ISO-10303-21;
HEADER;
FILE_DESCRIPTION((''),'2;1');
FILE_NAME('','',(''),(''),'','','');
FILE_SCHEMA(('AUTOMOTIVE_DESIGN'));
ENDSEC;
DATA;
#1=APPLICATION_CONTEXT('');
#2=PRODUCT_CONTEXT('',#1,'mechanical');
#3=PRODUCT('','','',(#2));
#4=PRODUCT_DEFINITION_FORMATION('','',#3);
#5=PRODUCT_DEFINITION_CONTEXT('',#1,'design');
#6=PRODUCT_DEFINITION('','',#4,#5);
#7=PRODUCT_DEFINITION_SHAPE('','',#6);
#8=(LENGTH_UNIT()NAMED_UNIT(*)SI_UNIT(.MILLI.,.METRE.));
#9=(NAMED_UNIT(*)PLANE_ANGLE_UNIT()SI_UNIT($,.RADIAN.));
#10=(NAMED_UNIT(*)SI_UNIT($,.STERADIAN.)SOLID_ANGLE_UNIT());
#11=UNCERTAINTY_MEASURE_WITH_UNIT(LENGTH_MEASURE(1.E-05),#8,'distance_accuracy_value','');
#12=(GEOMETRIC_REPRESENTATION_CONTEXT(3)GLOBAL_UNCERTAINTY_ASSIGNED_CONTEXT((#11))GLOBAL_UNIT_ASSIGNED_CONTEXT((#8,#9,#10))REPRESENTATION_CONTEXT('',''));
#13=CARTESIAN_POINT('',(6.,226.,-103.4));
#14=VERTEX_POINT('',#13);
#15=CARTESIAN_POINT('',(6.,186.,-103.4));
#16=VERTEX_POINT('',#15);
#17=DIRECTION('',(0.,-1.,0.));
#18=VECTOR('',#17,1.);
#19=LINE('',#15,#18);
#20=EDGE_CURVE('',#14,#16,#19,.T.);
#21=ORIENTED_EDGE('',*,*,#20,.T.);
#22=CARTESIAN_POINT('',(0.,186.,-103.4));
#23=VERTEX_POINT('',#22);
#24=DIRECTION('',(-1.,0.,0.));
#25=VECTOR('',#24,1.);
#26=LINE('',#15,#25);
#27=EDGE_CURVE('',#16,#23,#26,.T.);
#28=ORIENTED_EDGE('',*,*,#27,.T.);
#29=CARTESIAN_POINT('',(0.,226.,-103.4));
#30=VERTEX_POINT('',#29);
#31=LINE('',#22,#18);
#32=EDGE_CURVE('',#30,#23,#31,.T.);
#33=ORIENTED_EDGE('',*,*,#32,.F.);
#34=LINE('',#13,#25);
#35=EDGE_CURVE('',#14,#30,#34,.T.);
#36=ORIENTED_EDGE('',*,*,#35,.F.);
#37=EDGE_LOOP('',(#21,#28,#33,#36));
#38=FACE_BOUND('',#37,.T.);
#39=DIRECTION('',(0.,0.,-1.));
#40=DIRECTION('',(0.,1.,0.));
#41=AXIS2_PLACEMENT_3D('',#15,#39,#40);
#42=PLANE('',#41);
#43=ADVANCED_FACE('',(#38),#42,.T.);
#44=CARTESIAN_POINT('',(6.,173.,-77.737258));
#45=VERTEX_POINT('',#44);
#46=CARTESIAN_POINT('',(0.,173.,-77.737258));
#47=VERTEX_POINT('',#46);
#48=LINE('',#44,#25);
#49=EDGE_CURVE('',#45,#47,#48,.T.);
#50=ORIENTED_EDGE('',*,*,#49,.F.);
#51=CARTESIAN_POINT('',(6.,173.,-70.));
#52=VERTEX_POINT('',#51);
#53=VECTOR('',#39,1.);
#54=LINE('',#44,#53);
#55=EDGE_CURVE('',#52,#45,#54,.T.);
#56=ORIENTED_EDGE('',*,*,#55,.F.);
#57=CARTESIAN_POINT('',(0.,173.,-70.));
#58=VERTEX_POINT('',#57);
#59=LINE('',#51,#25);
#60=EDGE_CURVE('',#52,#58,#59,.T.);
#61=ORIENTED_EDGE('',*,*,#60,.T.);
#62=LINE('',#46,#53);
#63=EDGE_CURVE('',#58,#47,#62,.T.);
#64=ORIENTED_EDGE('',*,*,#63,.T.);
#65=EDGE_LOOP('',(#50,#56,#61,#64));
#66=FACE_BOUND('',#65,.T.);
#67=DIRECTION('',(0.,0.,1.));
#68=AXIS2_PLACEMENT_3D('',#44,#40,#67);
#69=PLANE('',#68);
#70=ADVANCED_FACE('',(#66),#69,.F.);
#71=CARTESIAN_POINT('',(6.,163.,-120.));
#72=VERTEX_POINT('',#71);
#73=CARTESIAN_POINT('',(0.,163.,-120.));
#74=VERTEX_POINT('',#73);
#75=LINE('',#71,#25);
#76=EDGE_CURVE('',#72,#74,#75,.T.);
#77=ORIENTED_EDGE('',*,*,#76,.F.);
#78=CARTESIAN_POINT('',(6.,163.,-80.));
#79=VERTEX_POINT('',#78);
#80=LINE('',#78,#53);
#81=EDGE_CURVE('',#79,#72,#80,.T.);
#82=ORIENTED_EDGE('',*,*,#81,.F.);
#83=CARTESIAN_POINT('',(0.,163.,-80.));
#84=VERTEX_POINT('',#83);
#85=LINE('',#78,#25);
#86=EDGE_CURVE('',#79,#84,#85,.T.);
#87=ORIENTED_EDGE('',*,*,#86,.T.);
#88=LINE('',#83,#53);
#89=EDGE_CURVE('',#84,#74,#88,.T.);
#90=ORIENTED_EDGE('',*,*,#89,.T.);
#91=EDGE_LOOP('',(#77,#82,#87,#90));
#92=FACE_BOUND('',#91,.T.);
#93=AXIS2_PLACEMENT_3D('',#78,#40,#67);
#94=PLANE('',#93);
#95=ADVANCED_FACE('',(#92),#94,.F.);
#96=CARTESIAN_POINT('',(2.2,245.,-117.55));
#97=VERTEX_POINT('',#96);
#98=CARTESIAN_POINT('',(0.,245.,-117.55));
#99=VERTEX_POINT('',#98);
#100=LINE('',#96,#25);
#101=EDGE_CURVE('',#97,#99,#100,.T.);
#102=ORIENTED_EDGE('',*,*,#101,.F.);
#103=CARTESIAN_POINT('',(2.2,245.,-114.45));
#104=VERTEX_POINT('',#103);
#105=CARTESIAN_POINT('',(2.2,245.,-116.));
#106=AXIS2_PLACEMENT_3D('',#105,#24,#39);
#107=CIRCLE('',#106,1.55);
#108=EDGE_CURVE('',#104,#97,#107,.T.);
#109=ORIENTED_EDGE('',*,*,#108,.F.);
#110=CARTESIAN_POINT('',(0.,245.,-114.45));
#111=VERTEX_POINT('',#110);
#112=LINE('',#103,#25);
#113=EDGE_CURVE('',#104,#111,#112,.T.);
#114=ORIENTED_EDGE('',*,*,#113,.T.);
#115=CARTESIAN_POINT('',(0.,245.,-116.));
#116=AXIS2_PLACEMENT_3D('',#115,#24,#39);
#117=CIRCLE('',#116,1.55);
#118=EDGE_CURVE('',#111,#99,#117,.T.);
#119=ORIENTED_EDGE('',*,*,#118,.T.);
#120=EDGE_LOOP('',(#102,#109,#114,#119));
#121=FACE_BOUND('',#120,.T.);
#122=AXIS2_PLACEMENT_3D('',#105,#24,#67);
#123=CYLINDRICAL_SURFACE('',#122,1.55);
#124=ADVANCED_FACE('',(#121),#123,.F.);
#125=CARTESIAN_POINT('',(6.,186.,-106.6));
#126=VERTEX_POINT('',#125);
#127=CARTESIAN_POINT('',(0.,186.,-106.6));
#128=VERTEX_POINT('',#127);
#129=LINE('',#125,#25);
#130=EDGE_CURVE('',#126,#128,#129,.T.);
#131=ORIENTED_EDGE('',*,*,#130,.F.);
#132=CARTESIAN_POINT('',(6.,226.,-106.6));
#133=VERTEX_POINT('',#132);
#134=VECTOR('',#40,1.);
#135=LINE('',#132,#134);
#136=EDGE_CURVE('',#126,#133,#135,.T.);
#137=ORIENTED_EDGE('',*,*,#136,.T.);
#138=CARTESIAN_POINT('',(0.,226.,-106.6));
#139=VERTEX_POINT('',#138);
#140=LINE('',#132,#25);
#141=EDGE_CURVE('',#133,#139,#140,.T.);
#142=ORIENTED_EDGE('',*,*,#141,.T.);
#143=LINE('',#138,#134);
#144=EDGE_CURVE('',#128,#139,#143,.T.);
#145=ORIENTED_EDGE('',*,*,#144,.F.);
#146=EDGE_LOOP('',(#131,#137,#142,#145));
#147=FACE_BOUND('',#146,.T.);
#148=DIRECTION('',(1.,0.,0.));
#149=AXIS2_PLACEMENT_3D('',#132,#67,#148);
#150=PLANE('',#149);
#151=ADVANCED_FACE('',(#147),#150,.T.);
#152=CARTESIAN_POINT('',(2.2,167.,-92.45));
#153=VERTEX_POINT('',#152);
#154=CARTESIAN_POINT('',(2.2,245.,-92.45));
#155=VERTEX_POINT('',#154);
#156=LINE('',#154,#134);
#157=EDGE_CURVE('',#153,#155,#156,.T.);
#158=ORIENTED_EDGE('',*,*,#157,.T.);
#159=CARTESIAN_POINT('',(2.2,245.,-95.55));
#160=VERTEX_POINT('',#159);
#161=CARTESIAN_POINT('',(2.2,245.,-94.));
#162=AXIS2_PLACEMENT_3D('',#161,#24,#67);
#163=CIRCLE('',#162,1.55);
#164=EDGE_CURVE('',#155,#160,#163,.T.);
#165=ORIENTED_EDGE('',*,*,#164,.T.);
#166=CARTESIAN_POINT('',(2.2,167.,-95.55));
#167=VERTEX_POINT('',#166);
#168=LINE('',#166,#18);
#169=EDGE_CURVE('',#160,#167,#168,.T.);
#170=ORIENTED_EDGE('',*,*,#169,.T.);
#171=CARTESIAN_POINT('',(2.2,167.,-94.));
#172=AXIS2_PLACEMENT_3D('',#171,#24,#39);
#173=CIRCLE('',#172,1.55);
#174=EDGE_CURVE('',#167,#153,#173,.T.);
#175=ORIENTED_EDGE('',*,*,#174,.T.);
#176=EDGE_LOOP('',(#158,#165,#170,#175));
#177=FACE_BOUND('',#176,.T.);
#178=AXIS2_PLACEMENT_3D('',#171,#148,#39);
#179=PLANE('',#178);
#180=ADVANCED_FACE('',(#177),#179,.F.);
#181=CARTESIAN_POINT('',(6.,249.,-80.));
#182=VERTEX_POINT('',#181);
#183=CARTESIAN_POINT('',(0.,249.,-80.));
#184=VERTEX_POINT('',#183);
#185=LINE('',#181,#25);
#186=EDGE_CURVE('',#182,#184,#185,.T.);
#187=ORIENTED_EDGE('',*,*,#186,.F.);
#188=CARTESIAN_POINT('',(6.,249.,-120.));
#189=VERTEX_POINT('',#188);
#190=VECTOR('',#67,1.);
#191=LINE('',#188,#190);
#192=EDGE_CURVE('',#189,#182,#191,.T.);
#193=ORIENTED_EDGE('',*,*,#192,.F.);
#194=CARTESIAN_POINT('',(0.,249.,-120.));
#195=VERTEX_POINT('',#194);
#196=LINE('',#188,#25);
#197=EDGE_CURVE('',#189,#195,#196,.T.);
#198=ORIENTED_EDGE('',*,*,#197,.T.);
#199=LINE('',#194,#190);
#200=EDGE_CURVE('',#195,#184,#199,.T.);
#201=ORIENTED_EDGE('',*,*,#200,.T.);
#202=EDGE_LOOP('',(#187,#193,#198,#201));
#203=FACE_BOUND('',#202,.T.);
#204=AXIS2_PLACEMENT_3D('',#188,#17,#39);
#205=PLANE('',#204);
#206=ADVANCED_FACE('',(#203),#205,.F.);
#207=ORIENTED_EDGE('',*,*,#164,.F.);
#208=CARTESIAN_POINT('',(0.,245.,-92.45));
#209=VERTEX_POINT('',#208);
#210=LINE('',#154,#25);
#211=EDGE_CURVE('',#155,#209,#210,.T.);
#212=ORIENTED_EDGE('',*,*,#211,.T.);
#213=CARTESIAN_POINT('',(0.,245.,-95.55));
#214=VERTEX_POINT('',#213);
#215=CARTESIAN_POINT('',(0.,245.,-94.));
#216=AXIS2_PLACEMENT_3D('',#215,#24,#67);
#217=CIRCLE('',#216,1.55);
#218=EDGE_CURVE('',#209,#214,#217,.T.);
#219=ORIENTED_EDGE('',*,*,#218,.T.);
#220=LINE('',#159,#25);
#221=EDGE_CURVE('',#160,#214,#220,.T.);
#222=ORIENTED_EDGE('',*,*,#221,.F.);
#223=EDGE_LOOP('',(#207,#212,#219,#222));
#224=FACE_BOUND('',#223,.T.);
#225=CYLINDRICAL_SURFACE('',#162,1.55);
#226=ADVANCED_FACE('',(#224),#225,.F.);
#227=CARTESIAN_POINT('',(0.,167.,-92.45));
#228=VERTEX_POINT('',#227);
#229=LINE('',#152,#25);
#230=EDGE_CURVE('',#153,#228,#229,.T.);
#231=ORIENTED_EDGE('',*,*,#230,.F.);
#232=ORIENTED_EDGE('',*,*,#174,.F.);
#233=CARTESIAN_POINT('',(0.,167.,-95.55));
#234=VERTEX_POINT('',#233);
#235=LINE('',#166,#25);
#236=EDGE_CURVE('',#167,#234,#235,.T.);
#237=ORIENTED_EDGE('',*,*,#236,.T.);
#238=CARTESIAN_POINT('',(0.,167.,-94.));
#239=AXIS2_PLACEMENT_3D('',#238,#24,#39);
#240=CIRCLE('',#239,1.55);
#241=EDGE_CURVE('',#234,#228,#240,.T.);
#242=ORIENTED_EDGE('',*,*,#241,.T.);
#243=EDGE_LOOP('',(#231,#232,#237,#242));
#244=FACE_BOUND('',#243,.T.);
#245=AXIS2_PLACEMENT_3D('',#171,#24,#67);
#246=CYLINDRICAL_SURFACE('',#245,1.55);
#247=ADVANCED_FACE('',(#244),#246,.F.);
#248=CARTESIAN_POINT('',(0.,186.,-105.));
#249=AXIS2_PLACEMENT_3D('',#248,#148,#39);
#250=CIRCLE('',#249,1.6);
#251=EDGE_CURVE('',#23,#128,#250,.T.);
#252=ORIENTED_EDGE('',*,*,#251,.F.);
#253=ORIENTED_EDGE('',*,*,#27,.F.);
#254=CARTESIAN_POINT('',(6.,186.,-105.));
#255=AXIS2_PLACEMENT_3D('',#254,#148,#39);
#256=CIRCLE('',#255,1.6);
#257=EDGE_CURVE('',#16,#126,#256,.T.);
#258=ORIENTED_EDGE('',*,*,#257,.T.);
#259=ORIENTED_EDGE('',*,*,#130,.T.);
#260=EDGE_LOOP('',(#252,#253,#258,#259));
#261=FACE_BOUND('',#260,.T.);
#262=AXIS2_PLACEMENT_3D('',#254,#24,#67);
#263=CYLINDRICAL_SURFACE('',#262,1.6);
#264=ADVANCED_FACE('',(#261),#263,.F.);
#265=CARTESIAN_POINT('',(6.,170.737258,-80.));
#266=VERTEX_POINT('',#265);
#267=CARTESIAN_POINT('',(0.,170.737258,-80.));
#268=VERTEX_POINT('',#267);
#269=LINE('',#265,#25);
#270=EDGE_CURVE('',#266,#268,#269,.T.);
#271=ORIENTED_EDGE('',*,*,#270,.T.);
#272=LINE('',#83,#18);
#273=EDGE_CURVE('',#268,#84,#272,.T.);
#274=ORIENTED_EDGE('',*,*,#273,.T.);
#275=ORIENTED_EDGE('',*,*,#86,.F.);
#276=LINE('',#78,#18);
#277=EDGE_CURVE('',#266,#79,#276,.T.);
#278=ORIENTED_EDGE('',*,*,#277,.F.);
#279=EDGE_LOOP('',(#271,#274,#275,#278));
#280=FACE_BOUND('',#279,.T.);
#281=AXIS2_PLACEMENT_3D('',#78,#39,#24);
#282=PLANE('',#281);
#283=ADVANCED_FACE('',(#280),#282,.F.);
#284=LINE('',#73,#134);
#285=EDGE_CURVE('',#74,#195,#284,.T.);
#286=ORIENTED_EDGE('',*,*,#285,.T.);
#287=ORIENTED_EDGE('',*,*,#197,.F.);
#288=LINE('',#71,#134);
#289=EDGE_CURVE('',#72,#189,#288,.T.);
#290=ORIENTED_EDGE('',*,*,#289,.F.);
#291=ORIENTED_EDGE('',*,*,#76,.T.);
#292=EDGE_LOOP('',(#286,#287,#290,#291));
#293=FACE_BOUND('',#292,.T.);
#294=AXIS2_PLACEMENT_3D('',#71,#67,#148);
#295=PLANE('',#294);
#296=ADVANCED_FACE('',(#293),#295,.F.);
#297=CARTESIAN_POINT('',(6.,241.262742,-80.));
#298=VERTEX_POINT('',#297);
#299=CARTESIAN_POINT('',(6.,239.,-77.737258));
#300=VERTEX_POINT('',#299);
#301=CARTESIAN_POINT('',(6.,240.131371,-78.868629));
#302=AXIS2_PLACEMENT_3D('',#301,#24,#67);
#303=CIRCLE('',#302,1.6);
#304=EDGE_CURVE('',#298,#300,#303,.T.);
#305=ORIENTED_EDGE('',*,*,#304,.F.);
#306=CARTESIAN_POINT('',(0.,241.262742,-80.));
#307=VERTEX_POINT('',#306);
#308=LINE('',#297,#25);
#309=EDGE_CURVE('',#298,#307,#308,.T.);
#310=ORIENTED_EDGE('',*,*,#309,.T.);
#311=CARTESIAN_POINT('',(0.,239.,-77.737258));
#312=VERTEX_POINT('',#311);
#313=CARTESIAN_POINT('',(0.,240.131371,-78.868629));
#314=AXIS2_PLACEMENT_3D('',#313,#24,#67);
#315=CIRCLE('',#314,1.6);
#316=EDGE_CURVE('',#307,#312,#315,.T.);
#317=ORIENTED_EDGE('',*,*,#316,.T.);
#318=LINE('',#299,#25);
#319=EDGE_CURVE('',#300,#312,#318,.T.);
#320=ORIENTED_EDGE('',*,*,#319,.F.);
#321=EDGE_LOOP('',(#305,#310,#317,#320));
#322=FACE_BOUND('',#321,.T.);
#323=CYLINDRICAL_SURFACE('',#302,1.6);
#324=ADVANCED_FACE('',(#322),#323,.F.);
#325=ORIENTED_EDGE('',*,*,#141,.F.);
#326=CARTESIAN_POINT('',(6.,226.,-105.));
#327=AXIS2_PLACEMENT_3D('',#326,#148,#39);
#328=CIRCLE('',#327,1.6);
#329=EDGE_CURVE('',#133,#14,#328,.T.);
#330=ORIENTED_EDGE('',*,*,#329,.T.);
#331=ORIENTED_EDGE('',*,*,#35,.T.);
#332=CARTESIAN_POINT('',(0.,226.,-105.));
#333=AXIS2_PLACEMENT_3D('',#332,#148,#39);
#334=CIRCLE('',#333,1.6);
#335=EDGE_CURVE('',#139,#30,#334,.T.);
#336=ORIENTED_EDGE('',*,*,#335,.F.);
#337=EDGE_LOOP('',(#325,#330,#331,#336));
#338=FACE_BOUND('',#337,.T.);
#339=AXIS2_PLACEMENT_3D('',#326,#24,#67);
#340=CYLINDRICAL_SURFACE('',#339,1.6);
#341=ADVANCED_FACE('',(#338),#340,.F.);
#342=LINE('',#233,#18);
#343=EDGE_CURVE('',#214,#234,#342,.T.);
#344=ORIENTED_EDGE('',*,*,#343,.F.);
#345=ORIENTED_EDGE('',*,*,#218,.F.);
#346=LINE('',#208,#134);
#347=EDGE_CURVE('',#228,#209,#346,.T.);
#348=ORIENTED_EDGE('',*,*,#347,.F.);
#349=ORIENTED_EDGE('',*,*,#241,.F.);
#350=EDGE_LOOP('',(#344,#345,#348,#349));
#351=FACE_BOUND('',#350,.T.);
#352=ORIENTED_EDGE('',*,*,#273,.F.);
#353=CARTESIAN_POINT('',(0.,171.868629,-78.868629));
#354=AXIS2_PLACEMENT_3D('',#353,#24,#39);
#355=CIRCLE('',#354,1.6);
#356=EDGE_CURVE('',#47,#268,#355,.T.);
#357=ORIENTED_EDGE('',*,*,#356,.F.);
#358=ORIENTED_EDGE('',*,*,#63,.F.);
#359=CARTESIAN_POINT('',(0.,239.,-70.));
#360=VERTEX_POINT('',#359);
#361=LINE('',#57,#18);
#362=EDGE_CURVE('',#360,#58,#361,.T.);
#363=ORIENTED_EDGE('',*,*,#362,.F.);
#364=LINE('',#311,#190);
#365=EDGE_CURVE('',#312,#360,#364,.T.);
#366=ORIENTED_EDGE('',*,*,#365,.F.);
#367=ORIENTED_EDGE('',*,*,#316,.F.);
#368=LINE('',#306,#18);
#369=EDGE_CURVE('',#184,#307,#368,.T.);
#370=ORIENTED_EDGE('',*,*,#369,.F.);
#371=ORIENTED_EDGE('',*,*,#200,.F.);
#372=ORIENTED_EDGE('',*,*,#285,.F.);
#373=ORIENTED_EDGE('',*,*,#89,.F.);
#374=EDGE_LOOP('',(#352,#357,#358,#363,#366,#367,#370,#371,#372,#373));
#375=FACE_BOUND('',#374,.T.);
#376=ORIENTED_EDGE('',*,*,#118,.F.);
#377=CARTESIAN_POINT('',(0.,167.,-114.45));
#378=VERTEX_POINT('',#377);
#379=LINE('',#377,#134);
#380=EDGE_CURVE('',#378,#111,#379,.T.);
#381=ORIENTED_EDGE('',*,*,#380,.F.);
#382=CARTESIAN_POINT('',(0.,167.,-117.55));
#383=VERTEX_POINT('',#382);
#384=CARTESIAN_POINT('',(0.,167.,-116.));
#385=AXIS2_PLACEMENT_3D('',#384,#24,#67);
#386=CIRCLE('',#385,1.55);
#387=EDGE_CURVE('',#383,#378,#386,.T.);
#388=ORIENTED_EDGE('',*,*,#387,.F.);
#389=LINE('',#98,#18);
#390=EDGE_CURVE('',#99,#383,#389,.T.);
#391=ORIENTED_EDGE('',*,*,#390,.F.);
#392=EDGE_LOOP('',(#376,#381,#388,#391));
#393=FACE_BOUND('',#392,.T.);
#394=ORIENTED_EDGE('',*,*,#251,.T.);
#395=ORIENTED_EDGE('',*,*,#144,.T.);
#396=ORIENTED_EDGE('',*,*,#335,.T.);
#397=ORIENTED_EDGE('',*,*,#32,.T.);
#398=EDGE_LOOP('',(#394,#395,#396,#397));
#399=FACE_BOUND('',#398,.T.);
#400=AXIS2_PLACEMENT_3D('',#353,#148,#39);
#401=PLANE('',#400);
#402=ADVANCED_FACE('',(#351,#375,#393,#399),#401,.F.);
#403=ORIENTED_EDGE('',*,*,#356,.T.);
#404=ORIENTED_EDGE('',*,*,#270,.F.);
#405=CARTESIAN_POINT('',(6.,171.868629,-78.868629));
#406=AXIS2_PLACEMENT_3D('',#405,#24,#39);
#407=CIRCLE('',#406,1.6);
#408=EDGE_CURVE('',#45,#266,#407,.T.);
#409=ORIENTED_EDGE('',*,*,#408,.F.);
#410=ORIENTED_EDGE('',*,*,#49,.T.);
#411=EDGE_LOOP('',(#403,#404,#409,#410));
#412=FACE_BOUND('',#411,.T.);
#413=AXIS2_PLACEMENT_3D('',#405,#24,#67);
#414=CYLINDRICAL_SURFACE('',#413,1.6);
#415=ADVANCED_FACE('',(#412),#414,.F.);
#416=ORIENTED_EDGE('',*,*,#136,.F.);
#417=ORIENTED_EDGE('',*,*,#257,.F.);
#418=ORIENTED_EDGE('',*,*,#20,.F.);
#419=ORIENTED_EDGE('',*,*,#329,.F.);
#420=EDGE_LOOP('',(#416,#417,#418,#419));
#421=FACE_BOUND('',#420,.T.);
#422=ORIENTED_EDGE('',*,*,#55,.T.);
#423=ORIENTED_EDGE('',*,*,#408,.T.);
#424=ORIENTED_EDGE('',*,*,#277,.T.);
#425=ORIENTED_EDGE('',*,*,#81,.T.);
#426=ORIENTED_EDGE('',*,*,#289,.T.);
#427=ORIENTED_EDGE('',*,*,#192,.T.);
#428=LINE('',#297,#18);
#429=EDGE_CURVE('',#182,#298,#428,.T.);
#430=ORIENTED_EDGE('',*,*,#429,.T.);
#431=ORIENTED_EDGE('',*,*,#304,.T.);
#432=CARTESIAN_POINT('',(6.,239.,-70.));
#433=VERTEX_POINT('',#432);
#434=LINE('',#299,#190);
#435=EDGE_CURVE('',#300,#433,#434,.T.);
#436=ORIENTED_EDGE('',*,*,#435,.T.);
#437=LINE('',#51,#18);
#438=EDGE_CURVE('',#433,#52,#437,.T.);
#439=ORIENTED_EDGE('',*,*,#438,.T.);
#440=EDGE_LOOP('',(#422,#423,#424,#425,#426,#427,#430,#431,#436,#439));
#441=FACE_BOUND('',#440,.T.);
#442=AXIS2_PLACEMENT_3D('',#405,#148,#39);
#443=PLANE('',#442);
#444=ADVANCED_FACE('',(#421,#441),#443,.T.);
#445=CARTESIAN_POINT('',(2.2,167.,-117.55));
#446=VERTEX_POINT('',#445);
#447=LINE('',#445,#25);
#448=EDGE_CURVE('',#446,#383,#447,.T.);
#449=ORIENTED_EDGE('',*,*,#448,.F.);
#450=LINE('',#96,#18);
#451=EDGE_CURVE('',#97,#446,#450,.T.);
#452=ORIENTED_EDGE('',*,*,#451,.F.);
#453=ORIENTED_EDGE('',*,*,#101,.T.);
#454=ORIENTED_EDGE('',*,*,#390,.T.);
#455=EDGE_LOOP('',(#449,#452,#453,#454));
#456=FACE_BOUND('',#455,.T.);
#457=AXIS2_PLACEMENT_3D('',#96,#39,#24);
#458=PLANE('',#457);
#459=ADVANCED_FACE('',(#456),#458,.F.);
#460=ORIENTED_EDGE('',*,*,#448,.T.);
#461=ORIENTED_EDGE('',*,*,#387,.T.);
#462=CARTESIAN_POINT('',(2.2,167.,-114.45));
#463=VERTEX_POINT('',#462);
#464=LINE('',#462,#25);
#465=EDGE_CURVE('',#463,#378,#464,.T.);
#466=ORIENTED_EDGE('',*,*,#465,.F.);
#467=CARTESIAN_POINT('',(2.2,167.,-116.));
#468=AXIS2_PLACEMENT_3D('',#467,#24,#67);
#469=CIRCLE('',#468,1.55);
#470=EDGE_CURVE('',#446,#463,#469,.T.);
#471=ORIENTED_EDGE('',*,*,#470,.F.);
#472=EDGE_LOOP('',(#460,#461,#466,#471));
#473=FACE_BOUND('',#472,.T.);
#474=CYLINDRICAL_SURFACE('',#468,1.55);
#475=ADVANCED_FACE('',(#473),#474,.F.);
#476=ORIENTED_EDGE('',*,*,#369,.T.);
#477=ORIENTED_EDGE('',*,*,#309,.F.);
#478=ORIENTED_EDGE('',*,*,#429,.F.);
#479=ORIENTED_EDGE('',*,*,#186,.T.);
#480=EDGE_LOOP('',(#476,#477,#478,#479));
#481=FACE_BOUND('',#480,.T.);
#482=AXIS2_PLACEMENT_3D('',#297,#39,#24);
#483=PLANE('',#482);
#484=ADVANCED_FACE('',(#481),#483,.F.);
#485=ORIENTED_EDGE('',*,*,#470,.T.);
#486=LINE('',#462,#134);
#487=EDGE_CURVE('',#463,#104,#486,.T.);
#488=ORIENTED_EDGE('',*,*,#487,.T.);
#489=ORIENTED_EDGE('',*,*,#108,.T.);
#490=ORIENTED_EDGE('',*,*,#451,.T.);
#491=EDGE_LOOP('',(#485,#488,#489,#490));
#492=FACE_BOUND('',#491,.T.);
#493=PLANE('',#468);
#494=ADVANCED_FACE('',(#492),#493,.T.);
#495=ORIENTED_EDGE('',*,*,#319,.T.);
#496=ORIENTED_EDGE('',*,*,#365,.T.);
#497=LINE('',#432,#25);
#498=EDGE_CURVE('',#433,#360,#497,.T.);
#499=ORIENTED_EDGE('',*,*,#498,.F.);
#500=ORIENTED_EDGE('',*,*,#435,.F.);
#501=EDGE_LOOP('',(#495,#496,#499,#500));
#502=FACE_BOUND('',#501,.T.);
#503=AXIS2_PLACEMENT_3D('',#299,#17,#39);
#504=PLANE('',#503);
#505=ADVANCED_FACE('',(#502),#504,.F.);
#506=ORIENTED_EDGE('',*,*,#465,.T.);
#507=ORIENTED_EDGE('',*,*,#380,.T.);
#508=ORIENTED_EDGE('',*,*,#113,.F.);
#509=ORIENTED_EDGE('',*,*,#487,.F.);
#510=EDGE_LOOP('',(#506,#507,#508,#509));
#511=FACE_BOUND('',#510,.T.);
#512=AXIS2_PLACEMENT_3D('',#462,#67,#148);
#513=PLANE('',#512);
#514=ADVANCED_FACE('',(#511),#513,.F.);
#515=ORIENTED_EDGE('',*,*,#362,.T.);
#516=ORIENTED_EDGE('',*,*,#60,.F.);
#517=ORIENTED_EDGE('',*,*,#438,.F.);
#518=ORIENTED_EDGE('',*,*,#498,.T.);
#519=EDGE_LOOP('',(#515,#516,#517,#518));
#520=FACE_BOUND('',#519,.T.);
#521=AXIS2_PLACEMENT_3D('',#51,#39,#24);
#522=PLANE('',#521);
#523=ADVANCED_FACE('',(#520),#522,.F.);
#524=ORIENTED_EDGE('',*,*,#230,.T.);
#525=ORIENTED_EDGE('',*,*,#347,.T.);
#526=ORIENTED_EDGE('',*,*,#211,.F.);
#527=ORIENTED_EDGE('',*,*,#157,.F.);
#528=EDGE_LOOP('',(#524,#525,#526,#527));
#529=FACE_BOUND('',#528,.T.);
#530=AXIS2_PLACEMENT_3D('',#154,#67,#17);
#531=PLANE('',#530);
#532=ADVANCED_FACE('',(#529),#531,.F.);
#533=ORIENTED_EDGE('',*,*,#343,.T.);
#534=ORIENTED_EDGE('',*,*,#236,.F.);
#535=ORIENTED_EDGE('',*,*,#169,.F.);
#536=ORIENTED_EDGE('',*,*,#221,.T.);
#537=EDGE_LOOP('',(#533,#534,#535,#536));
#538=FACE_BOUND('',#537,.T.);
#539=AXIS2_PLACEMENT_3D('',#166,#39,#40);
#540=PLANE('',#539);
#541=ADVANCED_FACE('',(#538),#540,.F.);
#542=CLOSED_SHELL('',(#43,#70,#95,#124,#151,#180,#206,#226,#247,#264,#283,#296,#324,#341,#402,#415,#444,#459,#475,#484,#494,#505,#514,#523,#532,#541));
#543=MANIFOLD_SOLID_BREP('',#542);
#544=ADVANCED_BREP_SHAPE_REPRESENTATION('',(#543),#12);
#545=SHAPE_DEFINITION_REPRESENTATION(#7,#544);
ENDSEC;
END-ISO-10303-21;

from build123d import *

# Parameters (mm, degrees)
EXTRUSION1_DEPTH        = 6
ENL_V_MAT_EXTRU_1_DEPTH = 2.2


with BuildPart() as part:
    # Esquisse1 → Extrusion1 (new body)
    with BuildSketch(Plane(origin=(0, 0, 0), x_dir=(0, 0, -1), z_dir=(1, 0, 0))):
        with BuildLine():
            Line((120, 249), (80, 249))
            Line((80, 249), (80, 241.2627417))
            ThreePointArc((80, 241.2627417), (80, 239), (77.7372583, 239))
            Line((77.7372583, 239), (70, 239))
            Line((70, 239), (70, 173))
            Line((70, 173), (77.7372583, 173))
            ThreePointArc((77.7372583, 173), (80, 173), (80, 170.7372583))
            Line((80, 170.7372583), (80, 163))
            Line((80, 163), (120, 163))
            Line((120, 163), (120, 249))
        make_face()
        with BuildLine():
            Line((106.6, 226), (106.6, 186))
            ThreePointArc((106.6, 186), (105, 184.4), (103.4, 186))
            Line((103.4, 186), (103.4, 226))
            ThreePointArc((103.4, 226), (105, 227.6), (106.6, 226))
        make_face(mode=Mode.SUBTRACT)
    extrude(amount=EXTRUSION1_DEPTH)

    # Esquisse2 → Enlèv. mat.-Extru.1 (cut)
    with BuildSketch(Plane.ZY):
        with BuildLine():
            Line((-117.55, 245), (-117.55, 167))
            ThreePointArc((-117.55, 167), (-116, 165.45), (-114.45, 167))
            Line((-114.45, 167), (-114.45, 245))
            ThreePointArc((-114.45, 245), (-116, 246.55), (-117.55, 245))
        make_face()
        with BuildLine():
            Line((-95.55, 167), (-95.55, 245))
            ThreePointArc((-95.55, 245), (-94, 246.55), (-92.45, 245))
            Line((-92.45, 245), (-92.45, 167))
            ThreePointArc((-92.45, 167), (-94, 165.45), (-95.55, 167))
        make_face()
    extrude(amount=-ENL_V_MAT_EXTRU_1_DEPTH, mode=Mode.SUBTRACT)


solid = part.part
